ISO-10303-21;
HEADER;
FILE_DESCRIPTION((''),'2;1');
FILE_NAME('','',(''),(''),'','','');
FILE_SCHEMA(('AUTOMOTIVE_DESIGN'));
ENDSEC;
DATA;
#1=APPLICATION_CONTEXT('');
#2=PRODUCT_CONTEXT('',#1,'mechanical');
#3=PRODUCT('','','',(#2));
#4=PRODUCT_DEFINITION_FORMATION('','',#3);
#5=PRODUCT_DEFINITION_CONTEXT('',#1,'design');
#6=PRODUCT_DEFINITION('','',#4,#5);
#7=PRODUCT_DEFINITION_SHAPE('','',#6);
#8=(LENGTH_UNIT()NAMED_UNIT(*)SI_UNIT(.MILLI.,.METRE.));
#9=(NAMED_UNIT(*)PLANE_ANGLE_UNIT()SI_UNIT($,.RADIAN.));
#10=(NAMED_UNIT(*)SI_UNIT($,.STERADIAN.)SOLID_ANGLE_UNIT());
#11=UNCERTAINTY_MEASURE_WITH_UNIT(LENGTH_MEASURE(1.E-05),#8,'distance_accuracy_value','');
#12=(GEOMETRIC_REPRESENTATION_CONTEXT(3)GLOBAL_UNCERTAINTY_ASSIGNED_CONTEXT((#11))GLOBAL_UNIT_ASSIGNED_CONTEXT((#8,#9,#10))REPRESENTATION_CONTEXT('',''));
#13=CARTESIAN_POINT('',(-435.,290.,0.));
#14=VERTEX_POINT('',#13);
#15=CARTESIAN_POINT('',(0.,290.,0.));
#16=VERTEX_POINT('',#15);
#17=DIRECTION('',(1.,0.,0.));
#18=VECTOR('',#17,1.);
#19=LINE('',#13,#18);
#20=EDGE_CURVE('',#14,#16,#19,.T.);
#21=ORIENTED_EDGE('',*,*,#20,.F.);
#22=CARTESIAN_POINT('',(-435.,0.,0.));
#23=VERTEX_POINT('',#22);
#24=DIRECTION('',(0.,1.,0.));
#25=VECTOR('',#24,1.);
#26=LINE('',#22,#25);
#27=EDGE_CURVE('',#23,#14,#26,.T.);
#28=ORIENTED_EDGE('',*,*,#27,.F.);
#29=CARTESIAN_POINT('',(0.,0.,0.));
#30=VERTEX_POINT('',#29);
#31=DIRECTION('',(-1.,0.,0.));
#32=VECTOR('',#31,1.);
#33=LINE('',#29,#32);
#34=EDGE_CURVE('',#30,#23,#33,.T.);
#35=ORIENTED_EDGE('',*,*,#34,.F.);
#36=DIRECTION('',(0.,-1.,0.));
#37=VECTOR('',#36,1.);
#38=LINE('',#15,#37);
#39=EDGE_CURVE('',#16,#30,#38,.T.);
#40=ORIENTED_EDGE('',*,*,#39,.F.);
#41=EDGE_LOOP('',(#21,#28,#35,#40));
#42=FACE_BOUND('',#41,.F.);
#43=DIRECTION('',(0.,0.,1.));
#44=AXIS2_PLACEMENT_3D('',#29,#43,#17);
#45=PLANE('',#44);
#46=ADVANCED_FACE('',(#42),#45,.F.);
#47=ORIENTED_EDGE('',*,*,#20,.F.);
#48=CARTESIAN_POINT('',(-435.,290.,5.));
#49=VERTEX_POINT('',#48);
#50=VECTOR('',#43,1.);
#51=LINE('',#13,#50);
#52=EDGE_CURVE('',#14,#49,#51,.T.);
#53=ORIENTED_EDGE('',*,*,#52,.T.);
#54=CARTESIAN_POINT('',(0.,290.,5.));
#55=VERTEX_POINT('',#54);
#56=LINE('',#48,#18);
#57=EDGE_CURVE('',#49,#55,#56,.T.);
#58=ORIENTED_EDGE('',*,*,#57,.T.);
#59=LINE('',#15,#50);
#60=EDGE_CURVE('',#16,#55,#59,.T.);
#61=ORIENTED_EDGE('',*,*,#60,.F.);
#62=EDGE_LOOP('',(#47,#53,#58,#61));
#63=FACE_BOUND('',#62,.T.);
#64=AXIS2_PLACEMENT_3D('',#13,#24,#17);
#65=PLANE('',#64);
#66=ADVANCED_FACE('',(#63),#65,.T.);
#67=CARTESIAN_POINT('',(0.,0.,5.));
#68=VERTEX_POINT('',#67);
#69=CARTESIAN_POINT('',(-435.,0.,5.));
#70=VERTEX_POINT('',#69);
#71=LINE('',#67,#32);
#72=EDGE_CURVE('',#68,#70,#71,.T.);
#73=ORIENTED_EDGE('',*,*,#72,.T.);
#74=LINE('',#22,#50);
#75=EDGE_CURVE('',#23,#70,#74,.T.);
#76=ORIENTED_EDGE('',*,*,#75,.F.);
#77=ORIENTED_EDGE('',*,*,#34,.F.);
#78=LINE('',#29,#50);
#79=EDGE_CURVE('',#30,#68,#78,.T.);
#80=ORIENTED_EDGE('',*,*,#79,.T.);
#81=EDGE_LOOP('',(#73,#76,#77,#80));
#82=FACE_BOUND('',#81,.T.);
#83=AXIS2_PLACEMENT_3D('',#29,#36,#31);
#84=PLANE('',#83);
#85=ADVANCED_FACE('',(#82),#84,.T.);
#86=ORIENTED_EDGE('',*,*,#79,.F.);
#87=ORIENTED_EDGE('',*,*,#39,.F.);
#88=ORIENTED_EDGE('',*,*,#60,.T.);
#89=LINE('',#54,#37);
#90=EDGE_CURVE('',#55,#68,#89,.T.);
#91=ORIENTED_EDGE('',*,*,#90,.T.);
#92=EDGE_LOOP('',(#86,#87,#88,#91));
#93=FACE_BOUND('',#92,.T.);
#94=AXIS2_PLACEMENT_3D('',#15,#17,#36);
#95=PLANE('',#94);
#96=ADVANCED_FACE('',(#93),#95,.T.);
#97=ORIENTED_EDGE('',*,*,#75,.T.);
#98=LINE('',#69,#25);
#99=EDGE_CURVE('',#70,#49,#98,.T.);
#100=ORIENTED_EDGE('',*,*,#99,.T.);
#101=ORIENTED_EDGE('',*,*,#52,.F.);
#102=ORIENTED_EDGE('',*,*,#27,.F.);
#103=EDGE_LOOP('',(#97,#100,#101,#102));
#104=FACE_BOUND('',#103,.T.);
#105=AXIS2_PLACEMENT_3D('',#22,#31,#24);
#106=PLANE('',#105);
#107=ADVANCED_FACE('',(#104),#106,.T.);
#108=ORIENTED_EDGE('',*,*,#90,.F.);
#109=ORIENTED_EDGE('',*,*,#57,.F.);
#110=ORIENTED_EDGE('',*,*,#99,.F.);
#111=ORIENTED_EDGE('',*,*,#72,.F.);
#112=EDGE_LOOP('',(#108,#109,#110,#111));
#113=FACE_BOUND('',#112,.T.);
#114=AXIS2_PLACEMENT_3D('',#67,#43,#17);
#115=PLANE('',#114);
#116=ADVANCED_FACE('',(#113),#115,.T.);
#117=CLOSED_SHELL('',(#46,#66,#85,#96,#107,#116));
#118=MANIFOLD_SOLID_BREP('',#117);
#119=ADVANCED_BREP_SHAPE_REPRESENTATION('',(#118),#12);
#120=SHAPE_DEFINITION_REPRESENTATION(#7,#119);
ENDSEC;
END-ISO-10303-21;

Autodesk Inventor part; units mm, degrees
ref_plane "YZ Plane" through (0, 0, 0) normal (1, 0, 0) x (0, 1, 0)
ref_plane "XZ Plane" through (0, 0, 0) normal (0, 1, 0) x (-1, 0, 0)
ref_plane "XY Plane" through (0, 0, 0) normal (0, 0, 1) x (1, 0, 0)
sketch "Sketch1" plane through (0, 0, 0) normal (0, 0, 1) x (1, 0, 0)
  line L0 (0, 0) -> (-435, 0)
  line L1 (-435, 0) -> (-435, 290)
  line L2 (-435, 290) -> (0, 290)
  line L3 (0, 290) -> (0, 0)
  dimension "d0" = 435
  dimension "d1" = 290
extrude "Extrusion1" add sketch "Sketch1" along normal blind 5
properties part number "podstawa pod gaz"
